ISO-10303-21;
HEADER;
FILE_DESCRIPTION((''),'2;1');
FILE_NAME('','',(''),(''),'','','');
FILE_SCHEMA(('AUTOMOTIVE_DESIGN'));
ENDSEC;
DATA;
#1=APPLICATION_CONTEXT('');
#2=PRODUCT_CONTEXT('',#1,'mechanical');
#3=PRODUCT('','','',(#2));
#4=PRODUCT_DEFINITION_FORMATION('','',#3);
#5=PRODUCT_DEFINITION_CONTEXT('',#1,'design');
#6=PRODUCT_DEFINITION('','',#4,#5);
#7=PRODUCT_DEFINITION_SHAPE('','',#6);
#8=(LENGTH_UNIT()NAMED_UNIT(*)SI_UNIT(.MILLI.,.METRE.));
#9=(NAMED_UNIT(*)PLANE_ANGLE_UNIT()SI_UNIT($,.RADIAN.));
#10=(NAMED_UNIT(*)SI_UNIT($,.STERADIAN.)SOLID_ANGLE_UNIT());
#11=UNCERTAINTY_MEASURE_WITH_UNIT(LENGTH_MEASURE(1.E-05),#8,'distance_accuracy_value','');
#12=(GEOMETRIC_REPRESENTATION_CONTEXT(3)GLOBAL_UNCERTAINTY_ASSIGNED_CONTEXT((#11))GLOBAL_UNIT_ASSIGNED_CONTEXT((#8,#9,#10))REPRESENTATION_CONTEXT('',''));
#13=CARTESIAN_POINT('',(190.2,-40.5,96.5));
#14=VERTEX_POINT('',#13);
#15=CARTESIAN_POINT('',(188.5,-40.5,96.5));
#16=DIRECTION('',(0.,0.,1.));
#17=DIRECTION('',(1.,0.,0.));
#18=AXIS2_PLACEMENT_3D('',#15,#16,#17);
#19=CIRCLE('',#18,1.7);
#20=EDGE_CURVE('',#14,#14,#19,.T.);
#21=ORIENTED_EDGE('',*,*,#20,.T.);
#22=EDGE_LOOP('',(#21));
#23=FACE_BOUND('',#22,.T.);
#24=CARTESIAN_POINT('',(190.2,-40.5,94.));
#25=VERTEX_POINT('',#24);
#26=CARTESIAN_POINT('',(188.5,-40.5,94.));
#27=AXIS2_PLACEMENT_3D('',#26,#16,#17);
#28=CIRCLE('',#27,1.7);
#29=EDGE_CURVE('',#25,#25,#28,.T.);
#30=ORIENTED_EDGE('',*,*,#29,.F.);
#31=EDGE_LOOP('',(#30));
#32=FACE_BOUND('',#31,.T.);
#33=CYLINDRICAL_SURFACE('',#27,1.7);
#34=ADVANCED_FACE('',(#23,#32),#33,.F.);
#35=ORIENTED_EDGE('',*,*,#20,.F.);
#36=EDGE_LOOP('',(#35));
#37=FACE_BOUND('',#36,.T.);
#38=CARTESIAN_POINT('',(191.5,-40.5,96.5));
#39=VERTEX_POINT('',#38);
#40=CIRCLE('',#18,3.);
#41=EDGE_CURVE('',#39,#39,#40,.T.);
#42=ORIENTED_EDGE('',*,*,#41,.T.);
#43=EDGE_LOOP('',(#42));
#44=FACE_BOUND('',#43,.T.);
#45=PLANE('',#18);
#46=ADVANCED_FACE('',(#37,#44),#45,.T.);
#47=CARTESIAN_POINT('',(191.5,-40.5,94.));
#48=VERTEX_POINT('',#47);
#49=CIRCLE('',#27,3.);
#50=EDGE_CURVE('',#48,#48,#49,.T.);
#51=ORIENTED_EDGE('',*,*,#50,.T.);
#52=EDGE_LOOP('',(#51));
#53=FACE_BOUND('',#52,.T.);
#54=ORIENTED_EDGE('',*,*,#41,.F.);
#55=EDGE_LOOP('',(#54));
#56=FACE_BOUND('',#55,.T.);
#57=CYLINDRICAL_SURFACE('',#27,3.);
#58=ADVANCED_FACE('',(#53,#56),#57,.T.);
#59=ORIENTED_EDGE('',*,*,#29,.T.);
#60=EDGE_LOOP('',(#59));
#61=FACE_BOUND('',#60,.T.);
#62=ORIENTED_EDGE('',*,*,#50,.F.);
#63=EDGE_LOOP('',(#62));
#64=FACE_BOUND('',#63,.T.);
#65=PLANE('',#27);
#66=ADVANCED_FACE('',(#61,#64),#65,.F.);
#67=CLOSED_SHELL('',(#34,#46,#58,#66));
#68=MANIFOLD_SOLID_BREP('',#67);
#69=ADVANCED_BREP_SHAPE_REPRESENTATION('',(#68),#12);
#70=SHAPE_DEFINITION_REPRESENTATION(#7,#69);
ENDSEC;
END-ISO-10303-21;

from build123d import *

# Parameters (mm, degrees)
MAIN_PROFILE_SKETCH_R   = 3
MAIN_PROFILE_SKETCH_R_2 = 1.7
MAIN_EXTRUSION_DEPTH    = 2.5


with BuildPart() as part:
    # Main Profile Sketch → Main Extrusion (new body)
    with BuildSketch(Plane.XY.offset(96.5)):
        with Locations((188.5, -40.5)):
            Circle(MAIN_PROFILE_SKETCH_R)
        with Locations((188.5, -40.5)):
            Circle(MAIN_PROFILE_SKETCH_R_2, mode=Mode.SUBTRACT)
    extrude(amount=-MAIN_EXTRUSION_DEPTH)


solid = part.part
